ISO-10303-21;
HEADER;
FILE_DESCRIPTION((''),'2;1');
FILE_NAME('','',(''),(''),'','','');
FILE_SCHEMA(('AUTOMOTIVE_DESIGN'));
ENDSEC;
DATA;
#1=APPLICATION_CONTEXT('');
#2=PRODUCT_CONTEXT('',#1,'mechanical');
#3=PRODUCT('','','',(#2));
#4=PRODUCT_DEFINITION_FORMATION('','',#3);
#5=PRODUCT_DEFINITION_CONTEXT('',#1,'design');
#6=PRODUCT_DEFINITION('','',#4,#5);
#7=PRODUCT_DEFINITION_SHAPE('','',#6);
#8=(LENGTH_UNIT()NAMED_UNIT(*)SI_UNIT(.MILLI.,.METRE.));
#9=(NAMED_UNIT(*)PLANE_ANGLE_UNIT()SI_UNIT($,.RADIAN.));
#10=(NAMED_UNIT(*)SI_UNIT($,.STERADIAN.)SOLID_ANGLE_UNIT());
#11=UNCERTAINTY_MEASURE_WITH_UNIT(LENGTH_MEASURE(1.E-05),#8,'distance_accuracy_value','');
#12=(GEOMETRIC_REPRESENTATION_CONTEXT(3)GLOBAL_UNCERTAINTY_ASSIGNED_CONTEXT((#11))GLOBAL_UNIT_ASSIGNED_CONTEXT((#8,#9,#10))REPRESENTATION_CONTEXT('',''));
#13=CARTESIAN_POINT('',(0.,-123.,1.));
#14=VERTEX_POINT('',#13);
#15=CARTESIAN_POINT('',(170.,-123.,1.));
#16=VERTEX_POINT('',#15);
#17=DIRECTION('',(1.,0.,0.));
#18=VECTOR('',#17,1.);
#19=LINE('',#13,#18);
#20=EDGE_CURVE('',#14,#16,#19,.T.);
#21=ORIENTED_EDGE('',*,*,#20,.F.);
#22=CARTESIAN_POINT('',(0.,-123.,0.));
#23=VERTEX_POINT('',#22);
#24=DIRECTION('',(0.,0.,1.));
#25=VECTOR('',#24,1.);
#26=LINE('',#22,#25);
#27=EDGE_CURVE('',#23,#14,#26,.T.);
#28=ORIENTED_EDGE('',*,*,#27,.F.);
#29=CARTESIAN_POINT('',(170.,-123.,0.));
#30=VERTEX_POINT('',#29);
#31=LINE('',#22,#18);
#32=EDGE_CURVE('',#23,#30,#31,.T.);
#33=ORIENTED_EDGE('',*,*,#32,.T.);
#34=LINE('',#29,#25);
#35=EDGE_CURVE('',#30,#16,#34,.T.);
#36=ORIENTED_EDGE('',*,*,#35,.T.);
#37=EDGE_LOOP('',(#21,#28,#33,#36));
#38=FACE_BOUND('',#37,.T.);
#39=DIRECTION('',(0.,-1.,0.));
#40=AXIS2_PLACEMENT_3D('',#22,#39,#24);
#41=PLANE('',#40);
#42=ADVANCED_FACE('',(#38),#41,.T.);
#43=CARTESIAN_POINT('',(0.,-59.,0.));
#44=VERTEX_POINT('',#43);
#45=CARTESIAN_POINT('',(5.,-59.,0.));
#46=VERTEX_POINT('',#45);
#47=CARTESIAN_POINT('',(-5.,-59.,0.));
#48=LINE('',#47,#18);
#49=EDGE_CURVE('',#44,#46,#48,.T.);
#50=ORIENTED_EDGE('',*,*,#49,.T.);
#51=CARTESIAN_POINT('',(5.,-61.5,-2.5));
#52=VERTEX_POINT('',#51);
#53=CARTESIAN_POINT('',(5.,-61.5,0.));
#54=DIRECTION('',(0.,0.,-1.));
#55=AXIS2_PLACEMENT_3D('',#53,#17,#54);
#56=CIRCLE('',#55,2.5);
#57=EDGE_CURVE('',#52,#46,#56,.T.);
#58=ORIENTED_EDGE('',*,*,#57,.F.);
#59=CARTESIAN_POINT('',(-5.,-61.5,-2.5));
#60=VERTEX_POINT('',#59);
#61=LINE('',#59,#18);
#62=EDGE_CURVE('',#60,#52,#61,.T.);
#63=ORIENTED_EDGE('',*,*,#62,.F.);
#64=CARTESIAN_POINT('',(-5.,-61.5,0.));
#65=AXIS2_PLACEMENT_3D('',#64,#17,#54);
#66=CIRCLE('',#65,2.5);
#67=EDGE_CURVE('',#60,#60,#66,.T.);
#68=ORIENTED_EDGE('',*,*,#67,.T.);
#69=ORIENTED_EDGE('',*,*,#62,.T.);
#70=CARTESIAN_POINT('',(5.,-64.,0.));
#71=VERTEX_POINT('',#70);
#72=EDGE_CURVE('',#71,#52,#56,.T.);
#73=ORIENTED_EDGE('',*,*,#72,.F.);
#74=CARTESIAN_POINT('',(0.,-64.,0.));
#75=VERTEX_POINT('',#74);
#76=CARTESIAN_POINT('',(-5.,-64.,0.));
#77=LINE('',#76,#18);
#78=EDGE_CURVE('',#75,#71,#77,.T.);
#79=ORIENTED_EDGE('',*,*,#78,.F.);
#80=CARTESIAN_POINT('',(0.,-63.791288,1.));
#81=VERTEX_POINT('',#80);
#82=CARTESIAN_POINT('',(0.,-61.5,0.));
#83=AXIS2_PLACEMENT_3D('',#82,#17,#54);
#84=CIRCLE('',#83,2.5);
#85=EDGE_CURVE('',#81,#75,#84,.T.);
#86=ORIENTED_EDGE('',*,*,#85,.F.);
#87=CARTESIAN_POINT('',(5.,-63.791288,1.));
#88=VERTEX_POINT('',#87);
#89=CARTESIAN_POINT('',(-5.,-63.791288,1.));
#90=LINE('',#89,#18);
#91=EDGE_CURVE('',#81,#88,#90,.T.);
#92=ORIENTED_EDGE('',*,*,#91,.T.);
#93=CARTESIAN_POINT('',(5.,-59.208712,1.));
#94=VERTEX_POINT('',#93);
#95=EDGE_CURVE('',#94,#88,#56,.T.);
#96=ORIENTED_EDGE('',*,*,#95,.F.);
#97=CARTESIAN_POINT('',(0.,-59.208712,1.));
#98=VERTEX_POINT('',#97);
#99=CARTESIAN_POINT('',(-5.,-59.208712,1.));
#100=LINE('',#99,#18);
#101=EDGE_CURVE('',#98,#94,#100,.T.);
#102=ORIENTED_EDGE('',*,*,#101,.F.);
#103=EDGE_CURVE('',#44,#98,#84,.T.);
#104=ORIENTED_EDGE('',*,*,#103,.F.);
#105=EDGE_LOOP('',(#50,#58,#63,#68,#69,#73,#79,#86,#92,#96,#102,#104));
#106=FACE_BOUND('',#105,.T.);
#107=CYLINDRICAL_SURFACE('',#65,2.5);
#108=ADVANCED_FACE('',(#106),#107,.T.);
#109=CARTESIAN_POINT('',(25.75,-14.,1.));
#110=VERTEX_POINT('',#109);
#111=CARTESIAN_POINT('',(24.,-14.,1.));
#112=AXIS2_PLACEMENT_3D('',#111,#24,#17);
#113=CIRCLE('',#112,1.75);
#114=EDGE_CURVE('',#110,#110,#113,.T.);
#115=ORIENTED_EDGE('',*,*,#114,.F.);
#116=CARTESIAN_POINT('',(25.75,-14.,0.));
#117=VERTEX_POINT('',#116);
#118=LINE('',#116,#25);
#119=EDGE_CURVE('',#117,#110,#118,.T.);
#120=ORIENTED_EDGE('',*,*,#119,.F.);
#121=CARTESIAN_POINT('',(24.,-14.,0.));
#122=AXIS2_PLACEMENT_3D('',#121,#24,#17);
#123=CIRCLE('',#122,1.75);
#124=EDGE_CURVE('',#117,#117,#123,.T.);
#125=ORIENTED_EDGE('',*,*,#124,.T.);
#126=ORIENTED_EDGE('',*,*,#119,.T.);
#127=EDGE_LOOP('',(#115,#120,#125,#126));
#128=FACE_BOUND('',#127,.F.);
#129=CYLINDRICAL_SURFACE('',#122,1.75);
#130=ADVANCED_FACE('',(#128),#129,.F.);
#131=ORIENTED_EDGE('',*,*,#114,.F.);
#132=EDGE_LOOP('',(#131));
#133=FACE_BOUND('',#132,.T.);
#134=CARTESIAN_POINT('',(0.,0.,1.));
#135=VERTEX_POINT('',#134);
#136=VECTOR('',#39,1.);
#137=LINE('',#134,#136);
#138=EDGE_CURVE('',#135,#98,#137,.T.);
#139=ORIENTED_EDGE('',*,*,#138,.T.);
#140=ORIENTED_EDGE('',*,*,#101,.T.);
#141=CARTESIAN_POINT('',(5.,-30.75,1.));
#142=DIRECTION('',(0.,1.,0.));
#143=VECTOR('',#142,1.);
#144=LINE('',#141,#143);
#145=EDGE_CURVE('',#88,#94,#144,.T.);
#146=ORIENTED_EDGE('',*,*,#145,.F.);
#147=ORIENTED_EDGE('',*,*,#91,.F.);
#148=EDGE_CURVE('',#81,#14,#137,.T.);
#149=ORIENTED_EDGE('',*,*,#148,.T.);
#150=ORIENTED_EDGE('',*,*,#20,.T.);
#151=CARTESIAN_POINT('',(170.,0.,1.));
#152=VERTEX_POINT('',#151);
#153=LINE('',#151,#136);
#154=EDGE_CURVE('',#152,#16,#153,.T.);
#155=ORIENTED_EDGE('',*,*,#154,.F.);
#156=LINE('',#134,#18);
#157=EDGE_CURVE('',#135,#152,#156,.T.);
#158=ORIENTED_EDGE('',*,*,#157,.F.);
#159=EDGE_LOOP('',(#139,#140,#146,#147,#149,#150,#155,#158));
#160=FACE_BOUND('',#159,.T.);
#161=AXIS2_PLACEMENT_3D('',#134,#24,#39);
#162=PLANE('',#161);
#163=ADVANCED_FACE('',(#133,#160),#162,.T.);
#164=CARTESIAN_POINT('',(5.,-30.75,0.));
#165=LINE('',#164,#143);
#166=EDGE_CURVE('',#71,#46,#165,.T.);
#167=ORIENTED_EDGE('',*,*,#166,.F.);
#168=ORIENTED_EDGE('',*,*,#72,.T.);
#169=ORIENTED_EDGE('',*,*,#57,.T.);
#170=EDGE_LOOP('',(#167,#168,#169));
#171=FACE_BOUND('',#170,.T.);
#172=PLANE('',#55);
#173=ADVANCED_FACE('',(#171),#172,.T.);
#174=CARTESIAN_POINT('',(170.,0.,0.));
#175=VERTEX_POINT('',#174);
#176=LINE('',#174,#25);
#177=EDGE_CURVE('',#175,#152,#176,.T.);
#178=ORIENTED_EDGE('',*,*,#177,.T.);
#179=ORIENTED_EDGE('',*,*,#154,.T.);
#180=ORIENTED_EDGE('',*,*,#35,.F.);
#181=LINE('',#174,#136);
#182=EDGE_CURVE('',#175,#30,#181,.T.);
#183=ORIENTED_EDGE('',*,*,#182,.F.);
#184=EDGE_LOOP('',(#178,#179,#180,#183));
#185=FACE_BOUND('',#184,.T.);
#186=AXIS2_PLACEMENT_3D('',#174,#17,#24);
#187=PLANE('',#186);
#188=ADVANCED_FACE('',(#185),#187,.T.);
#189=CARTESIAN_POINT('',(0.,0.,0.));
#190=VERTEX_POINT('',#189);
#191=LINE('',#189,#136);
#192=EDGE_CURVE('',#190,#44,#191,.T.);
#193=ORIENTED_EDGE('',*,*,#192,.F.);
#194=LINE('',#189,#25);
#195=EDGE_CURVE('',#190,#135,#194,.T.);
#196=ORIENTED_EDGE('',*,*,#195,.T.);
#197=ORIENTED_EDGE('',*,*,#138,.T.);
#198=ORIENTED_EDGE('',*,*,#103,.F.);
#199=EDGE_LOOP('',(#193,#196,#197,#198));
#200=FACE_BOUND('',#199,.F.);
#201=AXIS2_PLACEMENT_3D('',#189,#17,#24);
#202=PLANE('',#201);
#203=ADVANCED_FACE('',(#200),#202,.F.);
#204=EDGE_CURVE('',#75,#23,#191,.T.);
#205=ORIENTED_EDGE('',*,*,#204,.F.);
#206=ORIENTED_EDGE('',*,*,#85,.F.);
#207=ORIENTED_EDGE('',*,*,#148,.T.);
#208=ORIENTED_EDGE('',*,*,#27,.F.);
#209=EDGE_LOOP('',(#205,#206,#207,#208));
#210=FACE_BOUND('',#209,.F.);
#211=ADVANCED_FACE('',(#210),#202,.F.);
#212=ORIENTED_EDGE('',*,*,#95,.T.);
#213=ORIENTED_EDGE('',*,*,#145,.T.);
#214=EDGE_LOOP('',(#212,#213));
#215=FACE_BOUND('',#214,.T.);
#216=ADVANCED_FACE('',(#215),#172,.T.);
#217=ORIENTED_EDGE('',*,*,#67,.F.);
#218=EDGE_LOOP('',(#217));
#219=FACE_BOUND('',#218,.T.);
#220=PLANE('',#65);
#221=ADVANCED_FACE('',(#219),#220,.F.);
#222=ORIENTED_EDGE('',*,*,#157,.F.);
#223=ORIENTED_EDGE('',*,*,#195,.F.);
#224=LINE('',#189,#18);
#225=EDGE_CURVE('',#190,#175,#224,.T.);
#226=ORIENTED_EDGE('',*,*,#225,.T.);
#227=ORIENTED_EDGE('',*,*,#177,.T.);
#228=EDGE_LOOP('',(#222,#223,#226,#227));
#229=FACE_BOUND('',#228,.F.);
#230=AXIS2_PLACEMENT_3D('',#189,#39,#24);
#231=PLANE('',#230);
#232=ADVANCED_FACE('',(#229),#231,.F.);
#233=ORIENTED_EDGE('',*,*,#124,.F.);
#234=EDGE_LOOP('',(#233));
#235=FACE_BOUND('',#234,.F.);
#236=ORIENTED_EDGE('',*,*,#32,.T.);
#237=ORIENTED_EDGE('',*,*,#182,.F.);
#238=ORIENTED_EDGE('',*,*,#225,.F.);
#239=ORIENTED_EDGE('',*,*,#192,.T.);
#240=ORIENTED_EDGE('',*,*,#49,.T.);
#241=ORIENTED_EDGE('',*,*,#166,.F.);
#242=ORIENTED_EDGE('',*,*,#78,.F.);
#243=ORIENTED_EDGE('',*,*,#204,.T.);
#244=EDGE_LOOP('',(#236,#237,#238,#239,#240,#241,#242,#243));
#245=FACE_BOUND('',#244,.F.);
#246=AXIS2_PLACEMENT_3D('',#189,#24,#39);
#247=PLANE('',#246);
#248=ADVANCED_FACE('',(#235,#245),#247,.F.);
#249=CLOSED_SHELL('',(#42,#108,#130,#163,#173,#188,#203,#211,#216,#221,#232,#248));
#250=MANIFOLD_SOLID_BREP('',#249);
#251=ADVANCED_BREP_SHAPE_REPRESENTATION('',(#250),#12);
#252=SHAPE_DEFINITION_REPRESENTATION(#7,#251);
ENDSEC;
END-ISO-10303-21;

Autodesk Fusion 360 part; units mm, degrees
box "BoxPrimitive1" add length 123 width 170 height 1 placed x (0, -1, 0) y (1, 0, 0) z (0, 0, 1) at (0, 0, 0) makes body 1
cylinder "CylinderPrimitive1" add diameter 5 height 10 placed x (0, 0, -1) y (0, 1, 0) z (1, 0, 0) at (0, 10, 10) separate body makes body 2
move_body "Move1" bodies 2 to x (1, 0, 0) y (0, 1, 0) z (0, 0, 1) at (0, -10, -10)
move_body "Move2" bodies 2 to x (1, 0, 0) y (0, 1, 0) z (0, 0, 1) at (0, -61.5, 0)
move_body "Move3" bodies 2 to x (1, 0, 0) y (0, 1, 0) z (0, 0, 1) at (-5, 0, 0)
combine "Combine1" operation add target body 1 tool bodies 2
cylinder "CylinderPrimitive2" cut diameter 3.5 height -1 placed x (1, 0, 0) y (0, 1, 0) z (0, 0, 1) at (24, -14, 1) bodies 1
